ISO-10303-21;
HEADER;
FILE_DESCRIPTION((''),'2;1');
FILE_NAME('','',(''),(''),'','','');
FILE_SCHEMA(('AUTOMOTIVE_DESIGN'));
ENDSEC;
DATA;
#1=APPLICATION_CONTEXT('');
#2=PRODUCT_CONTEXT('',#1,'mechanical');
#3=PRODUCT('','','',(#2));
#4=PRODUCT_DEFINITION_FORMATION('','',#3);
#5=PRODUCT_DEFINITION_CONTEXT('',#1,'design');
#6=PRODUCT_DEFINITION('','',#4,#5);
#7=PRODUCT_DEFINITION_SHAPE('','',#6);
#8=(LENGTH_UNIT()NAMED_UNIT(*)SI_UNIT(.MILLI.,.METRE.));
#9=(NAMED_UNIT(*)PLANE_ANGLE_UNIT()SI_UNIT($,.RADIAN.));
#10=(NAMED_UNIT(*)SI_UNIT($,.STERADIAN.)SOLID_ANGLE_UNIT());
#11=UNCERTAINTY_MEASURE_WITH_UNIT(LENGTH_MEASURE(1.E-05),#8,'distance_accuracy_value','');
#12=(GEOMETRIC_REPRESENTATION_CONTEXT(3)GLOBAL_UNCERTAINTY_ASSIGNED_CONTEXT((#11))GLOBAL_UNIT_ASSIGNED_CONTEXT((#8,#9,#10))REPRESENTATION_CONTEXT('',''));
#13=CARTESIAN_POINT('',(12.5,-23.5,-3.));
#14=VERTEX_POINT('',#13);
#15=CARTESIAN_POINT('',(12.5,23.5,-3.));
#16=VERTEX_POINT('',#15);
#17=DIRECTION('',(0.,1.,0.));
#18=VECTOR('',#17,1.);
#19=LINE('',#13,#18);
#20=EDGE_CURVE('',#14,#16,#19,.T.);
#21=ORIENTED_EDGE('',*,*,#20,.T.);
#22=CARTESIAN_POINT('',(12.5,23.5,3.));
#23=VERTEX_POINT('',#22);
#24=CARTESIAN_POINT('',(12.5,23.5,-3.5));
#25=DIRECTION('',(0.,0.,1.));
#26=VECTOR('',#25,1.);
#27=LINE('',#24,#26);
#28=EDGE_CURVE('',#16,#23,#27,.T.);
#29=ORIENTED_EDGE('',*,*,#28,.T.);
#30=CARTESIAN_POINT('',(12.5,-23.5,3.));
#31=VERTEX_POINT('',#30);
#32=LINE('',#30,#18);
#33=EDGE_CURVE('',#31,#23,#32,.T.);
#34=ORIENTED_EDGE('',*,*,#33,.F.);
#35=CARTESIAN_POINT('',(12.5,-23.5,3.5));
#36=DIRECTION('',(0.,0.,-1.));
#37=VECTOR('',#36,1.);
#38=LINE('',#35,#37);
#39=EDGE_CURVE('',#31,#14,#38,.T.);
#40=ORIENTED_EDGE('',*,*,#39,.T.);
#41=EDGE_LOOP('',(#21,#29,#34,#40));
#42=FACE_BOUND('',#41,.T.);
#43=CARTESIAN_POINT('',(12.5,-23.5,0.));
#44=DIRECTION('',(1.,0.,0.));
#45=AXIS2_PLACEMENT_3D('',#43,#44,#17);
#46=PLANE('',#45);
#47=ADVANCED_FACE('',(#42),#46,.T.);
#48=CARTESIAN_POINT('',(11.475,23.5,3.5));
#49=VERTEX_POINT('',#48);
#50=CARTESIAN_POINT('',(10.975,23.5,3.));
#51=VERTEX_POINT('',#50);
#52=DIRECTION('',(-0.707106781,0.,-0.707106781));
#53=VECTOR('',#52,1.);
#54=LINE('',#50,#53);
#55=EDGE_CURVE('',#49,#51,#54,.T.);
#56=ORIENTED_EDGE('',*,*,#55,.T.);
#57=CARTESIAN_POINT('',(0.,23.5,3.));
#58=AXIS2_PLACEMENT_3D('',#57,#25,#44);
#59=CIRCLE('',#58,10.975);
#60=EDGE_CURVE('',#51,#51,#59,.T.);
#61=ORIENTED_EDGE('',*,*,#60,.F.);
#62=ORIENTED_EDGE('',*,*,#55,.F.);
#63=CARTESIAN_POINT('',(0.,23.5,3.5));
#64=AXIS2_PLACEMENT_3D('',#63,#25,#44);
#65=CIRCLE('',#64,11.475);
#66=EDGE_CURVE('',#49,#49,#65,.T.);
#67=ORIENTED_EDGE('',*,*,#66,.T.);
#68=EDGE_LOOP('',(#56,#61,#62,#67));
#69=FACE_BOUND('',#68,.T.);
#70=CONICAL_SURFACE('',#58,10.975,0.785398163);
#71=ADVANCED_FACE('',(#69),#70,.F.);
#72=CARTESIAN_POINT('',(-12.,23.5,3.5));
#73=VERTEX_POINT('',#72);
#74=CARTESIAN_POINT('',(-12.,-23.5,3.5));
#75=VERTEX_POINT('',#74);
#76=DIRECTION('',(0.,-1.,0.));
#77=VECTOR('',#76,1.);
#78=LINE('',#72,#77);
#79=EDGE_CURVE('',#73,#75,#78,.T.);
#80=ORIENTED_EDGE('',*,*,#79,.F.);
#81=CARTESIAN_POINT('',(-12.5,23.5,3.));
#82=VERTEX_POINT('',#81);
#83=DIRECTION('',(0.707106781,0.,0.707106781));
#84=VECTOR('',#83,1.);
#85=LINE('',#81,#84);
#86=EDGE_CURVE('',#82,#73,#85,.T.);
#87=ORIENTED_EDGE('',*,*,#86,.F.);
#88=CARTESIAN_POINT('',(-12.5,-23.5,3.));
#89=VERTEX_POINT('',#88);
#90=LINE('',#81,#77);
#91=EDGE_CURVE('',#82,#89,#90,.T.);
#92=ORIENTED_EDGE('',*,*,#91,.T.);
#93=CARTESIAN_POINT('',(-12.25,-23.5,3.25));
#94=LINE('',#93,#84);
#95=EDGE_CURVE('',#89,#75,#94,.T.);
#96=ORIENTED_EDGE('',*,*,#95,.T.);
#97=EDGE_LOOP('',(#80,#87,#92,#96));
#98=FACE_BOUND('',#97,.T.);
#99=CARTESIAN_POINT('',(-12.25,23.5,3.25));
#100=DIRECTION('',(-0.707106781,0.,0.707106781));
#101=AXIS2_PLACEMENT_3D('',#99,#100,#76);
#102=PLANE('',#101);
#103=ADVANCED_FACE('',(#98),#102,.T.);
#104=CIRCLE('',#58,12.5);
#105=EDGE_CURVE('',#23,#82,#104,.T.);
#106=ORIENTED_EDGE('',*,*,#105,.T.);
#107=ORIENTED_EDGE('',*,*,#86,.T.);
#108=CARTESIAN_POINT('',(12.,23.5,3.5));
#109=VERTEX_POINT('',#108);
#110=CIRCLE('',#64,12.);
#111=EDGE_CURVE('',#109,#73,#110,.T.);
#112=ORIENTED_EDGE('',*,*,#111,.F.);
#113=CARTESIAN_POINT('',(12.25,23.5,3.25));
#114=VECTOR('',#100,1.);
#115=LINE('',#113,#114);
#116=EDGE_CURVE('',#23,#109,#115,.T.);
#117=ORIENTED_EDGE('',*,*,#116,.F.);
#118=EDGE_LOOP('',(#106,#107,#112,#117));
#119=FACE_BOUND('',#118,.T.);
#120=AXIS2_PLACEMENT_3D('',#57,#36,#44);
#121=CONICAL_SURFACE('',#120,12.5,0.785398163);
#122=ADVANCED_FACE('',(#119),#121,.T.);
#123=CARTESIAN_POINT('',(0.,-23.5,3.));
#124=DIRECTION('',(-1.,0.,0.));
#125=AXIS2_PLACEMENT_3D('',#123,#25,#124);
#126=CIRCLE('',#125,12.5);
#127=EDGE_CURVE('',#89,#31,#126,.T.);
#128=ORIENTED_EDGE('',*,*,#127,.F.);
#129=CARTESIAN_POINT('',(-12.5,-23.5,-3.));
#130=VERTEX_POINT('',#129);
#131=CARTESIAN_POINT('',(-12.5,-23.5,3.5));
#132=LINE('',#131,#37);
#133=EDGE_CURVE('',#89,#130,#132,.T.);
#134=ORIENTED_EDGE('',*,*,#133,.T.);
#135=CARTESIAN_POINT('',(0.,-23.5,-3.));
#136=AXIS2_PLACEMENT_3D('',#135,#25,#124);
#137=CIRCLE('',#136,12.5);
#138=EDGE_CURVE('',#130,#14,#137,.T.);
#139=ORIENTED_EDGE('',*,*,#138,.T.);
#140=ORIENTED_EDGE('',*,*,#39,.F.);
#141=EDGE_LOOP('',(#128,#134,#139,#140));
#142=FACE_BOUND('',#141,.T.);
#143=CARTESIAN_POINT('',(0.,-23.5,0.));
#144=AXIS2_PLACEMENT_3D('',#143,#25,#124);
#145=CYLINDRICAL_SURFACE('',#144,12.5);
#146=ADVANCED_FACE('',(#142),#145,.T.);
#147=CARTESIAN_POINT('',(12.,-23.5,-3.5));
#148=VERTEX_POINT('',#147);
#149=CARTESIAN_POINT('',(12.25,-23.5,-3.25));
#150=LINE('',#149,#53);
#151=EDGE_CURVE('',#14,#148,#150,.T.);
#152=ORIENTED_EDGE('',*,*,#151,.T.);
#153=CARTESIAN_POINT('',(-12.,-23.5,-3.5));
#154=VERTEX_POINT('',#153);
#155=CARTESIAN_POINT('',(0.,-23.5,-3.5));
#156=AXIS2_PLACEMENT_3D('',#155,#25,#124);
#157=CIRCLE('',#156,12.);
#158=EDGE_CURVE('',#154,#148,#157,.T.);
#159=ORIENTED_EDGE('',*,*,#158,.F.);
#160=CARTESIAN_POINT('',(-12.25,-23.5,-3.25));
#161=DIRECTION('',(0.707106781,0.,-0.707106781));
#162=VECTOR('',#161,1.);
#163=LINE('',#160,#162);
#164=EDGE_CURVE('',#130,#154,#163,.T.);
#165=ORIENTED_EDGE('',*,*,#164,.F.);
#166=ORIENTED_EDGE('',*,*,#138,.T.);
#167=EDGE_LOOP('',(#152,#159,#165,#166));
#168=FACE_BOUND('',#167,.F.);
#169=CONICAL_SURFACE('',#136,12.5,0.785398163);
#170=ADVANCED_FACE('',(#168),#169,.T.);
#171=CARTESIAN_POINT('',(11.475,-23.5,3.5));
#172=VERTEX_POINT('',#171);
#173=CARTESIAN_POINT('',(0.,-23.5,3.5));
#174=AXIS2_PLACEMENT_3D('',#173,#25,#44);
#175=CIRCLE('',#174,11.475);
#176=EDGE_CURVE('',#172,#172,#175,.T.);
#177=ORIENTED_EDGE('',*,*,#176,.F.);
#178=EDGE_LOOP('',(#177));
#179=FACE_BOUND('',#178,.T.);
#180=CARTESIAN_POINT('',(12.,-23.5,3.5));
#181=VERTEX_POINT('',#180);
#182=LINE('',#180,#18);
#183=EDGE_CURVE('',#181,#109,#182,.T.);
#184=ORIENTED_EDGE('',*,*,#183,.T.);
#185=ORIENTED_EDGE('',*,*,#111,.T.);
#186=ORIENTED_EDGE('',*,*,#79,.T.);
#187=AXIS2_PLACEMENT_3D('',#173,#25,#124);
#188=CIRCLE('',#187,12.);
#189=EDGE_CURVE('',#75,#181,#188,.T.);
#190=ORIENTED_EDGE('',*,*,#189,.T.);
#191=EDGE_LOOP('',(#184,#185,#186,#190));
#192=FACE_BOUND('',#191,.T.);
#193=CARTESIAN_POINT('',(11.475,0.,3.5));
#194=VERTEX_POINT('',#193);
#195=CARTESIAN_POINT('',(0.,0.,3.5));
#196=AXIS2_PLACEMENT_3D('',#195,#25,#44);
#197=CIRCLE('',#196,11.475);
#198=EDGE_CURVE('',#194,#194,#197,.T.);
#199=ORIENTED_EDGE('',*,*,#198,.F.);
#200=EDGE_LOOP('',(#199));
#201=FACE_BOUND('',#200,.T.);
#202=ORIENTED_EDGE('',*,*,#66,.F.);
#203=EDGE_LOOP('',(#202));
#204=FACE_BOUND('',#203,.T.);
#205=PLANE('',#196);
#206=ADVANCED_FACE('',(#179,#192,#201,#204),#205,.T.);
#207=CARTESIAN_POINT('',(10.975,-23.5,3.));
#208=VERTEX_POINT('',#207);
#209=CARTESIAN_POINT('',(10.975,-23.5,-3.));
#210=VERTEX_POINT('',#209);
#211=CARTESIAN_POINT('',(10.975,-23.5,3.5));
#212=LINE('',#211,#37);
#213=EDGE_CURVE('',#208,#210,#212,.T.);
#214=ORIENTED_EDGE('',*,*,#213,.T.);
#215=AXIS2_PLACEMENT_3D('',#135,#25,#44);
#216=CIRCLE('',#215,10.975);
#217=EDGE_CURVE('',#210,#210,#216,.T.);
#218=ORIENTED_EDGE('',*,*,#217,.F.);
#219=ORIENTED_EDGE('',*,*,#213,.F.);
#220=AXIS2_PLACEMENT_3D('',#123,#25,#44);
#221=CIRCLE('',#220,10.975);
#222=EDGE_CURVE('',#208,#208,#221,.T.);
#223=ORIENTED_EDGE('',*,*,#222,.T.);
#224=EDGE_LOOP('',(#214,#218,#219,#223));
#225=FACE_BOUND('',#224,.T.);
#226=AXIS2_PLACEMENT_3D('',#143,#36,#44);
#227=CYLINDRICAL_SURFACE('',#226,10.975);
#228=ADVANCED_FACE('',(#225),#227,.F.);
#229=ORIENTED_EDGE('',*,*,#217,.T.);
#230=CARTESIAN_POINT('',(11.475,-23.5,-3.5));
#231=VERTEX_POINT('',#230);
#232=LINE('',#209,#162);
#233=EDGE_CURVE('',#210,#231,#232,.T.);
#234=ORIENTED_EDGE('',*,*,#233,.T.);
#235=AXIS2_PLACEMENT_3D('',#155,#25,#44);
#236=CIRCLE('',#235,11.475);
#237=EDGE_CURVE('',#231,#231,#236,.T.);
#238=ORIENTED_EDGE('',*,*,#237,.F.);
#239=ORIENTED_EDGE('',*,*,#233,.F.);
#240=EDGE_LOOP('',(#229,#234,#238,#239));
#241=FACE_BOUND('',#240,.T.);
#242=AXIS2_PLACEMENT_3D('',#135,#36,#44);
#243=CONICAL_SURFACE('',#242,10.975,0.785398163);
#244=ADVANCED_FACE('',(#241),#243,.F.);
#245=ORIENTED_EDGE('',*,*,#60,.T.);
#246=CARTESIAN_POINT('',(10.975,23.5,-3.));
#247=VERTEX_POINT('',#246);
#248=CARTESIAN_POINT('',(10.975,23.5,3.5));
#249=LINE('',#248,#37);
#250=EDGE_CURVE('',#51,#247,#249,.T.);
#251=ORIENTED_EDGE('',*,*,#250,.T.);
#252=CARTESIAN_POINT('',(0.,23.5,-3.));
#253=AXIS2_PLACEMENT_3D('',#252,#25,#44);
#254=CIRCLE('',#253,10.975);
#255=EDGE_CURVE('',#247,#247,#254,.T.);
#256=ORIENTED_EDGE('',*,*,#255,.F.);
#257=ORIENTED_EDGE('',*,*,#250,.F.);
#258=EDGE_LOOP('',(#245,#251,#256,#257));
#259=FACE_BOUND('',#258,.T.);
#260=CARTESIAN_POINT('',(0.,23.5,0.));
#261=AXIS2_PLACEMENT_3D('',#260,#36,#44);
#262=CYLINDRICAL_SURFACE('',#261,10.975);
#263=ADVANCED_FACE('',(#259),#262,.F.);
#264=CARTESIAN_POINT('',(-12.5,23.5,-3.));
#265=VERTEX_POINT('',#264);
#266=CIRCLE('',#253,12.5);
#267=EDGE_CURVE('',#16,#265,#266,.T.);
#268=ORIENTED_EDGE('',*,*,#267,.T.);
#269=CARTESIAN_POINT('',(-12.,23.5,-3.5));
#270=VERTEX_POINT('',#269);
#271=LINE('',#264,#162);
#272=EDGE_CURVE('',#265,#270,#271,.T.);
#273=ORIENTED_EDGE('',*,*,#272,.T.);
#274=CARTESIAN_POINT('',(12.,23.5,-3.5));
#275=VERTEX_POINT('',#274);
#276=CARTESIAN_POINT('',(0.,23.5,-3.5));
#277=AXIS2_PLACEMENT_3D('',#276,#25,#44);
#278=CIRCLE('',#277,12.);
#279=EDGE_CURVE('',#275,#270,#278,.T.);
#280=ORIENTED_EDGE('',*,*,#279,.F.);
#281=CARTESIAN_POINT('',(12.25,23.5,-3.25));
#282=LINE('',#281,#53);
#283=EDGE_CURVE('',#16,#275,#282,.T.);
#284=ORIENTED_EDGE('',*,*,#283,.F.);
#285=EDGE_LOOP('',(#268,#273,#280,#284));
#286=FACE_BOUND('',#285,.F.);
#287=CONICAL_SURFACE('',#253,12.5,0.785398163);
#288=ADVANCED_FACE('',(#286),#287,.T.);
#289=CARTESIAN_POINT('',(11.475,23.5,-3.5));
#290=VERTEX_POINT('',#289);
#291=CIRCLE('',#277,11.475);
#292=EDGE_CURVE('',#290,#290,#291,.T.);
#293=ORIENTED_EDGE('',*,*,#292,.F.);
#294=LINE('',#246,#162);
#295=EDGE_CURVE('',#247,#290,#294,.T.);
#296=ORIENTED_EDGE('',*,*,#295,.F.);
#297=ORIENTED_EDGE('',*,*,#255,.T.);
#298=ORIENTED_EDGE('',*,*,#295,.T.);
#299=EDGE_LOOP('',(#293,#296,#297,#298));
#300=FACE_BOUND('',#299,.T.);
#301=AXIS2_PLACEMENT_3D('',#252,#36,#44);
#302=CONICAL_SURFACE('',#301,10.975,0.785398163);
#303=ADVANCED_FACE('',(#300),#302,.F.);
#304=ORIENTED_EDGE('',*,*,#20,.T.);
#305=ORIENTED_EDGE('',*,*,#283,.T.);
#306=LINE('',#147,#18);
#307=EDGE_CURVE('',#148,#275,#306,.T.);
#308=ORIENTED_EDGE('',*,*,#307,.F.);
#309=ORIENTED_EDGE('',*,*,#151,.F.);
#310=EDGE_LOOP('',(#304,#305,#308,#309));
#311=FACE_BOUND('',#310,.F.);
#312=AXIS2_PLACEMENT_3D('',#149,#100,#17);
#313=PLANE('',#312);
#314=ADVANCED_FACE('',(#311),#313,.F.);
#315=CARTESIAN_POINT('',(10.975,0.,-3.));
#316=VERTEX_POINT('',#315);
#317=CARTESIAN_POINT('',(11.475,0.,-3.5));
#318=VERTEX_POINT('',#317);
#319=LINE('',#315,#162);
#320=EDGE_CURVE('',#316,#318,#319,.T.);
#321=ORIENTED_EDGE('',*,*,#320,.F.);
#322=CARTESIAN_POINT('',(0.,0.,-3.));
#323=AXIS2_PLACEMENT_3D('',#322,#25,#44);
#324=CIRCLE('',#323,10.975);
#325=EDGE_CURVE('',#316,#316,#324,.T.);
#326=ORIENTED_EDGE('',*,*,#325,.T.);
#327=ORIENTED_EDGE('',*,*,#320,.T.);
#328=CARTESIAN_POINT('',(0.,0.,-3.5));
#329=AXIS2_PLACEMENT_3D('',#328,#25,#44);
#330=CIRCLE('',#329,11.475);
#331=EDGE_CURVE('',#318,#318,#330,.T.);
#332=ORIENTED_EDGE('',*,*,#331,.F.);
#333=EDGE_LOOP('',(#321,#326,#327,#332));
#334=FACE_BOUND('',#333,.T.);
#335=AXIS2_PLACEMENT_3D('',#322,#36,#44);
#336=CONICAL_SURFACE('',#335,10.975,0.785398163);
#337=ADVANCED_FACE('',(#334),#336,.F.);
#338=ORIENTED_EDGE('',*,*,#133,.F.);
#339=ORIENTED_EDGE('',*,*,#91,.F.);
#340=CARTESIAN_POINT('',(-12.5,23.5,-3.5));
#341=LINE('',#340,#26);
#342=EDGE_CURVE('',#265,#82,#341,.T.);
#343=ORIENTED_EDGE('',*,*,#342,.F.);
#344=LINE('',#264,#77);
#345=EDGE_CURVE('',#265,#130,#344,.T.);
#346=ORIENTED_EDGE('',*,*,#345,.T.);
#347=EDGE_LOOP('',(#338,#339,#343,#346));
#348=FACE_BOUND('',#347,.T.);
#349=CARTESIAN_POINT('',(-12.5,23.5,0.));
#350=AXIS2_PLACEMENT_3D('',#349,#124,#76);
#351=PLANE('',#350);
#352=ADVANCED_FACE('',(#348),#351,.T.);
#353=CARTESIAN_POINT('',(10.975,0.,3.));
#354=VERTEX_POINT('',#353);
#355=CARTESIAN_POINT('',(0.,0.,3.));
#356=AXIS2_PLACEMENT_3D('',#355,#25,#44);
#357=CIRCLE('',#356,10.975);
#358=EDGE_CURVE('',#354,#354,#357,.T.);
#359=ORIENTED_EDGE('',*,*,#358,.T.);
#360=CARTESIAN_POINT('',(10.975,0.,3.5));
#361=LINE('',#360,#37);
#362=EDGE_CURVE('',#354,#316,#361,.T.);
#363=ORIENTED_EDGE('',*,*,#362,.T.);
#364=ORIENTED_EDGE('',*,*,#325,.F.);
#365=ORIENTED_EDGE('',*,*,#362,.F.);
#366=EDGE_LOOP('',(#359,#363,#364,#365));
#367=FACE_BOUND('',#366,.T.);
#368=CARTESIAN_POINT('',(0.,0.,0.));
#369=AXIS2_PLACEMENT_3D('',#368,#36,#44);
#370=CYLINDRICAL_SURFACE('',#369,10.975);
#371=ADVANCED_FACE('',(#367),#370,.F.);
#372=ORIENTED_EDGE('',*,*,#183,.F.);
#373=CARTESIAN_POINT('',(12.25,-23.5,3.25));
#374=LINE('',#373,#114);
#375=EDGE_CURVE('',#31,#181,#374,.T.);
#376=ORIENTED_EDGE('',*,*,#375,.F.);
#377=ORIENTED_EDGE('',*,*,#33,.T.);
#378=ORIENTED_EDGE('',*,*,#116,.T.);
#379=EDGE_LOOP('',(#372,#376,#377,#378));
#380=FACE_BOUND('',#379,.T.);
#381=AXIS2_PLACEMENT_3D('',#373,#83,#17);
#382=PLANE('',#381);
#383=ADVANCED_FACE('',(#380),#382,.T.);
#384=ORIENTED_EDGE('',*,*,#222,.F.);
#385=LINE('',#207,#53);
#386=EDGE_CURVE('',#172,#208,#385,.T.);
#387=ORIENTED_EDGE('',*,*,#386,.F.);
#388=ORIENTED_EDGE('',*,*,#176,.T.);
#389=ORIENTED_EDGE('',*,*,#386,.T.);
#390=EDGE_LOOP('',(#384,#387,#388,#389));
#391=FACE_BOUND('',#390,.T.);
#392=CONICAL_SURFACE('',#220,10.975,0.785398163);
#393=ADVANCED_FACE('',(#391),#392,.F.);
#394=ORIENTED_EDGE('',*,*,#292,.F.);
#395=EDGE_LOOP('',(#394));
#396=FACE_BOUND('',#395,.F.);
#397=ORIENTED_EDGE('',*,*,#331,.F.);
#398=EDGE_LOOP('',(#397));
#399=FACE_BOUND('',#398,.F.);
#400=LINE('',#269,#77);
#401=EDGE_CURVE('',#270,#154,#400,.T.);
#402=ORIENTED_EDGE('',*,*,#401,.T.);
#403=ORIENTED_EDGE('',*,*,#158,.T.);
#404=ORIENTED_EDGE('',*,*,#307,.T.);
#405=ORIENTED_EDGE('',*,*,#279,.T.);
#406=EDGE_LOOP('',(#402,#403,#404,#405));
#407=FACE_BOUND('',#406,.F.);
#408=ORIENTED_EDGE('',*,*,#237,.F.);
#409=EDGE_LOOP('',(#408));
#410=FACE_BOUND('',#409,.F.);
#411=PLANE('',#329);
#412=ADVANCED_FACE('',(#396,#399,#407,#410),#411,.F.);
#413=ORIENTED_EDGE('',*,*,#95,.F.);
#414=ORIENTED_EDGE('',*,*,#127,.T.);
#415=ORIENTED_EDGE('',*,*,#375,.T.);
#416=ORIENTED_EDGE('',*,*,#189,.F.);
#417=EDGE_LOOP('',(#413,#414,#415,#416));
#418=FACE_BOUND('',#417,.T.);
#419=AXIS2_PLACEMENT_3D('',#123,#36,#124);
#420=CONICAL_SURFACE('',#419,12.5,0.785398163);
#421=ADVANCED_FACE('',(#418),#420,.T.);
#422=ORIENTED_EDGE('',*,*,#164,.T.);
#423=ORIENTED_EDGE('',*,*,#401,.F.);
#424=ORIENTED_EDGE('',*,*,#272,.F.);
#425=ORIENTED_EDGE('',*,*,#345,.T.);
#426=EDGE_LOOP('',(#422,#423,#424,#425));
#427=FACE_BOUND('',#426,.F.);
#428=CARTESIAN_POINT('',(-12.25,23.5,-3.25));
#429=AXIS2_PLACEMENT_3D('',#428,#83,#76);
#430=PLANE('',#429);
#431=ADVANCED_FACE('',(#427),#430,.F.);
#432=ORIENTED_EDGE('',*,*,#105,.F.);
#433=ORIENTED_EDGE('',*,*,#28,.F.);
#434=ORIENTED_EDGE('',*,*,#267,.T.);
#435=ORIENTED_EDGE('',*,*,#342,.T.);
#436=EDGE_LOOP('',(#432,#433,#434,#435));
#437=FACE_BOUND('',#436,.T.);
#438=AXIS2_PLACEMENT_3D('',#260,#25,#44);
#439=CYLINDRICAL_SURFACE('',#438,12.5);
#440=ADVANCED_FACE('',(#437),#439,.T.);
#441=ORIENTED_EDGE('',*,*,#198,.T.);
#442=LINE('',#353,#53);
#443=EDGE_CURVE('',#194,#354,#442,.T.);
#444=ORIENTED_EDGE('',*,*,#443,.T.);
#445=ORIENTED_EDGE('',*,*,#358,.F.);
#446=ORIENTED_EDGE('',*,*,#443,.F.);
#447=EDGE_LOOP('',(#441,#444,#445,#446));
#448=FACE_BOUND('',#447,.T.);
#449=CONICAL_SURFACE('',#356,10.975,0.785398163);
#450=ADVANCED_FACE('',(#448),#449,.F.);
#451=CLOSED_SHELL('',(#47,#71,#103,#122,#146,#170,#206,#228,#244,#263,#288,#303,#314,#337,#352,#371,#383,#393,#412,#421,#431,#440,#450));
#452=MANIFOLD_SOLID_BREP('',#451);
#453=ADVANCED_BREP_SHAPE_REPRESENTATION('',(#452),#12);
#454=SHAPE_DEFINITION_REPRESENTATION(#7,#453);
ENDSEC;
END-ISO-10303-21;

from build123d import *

# Parameters (mm, degrees)
F0_R     = 10.975
F1_DEPTH = 3.5
F2_SIZE  = 0.5


with BuildPart() as f1:
    # F0 (on Top) → F1 (new body, symmetric)
    with BuildSketch(Plane.XY):
        with BuildLine():
            Line((12.5, -23.5), (12.5, 23.5))
            ThreePointArc((12.5, 23.5), (0, 36), (-12.5, 23.5))
            Line((-12.5, 23.5), (-12.5, -23.5))
            ThreePointArc((-12.5, -23.5), (0, -36), (12.5, -23.5))
        make_face()
        with Locations((0, -23.5)):
            Circle(F0_R, mode=Mode.SUBTRACT)
        Circle(F0_R, mode=Mode.SUBTRACT)
        with Locations((0, 23.5)):
            Circle(F0_R, mode=Mode.SUBTRACT)
    extrude(amount=F1_DEPTH, both=True)

    # F2
    f2_edges = [f1.edges().sort_by_distance(p)[0] for p in [
        (12.5, 0, -3.5),
        (0, 36, -3.5),
        (-12.5, 0, -3.5),
        (0, -36, -3.5),
        (-10.975, -23.5, -3.5),
        (-10.975, 0, -3.5),
        (-10.975, 23.5, -3.5),
        (12.5, 0, 3.5),
        (0, 36, 3.5),
        (-12.5, 0, 3.5),
        (0, -36, 3.5),
        (-10.975, -23.5, 3.5),
        (-10.975, 0, 3.5),
        (-10.975, 23.5, 3.5),
    ]]
    chamfer(f2_edges, length=F2_SIZE)


solid = f1.part
